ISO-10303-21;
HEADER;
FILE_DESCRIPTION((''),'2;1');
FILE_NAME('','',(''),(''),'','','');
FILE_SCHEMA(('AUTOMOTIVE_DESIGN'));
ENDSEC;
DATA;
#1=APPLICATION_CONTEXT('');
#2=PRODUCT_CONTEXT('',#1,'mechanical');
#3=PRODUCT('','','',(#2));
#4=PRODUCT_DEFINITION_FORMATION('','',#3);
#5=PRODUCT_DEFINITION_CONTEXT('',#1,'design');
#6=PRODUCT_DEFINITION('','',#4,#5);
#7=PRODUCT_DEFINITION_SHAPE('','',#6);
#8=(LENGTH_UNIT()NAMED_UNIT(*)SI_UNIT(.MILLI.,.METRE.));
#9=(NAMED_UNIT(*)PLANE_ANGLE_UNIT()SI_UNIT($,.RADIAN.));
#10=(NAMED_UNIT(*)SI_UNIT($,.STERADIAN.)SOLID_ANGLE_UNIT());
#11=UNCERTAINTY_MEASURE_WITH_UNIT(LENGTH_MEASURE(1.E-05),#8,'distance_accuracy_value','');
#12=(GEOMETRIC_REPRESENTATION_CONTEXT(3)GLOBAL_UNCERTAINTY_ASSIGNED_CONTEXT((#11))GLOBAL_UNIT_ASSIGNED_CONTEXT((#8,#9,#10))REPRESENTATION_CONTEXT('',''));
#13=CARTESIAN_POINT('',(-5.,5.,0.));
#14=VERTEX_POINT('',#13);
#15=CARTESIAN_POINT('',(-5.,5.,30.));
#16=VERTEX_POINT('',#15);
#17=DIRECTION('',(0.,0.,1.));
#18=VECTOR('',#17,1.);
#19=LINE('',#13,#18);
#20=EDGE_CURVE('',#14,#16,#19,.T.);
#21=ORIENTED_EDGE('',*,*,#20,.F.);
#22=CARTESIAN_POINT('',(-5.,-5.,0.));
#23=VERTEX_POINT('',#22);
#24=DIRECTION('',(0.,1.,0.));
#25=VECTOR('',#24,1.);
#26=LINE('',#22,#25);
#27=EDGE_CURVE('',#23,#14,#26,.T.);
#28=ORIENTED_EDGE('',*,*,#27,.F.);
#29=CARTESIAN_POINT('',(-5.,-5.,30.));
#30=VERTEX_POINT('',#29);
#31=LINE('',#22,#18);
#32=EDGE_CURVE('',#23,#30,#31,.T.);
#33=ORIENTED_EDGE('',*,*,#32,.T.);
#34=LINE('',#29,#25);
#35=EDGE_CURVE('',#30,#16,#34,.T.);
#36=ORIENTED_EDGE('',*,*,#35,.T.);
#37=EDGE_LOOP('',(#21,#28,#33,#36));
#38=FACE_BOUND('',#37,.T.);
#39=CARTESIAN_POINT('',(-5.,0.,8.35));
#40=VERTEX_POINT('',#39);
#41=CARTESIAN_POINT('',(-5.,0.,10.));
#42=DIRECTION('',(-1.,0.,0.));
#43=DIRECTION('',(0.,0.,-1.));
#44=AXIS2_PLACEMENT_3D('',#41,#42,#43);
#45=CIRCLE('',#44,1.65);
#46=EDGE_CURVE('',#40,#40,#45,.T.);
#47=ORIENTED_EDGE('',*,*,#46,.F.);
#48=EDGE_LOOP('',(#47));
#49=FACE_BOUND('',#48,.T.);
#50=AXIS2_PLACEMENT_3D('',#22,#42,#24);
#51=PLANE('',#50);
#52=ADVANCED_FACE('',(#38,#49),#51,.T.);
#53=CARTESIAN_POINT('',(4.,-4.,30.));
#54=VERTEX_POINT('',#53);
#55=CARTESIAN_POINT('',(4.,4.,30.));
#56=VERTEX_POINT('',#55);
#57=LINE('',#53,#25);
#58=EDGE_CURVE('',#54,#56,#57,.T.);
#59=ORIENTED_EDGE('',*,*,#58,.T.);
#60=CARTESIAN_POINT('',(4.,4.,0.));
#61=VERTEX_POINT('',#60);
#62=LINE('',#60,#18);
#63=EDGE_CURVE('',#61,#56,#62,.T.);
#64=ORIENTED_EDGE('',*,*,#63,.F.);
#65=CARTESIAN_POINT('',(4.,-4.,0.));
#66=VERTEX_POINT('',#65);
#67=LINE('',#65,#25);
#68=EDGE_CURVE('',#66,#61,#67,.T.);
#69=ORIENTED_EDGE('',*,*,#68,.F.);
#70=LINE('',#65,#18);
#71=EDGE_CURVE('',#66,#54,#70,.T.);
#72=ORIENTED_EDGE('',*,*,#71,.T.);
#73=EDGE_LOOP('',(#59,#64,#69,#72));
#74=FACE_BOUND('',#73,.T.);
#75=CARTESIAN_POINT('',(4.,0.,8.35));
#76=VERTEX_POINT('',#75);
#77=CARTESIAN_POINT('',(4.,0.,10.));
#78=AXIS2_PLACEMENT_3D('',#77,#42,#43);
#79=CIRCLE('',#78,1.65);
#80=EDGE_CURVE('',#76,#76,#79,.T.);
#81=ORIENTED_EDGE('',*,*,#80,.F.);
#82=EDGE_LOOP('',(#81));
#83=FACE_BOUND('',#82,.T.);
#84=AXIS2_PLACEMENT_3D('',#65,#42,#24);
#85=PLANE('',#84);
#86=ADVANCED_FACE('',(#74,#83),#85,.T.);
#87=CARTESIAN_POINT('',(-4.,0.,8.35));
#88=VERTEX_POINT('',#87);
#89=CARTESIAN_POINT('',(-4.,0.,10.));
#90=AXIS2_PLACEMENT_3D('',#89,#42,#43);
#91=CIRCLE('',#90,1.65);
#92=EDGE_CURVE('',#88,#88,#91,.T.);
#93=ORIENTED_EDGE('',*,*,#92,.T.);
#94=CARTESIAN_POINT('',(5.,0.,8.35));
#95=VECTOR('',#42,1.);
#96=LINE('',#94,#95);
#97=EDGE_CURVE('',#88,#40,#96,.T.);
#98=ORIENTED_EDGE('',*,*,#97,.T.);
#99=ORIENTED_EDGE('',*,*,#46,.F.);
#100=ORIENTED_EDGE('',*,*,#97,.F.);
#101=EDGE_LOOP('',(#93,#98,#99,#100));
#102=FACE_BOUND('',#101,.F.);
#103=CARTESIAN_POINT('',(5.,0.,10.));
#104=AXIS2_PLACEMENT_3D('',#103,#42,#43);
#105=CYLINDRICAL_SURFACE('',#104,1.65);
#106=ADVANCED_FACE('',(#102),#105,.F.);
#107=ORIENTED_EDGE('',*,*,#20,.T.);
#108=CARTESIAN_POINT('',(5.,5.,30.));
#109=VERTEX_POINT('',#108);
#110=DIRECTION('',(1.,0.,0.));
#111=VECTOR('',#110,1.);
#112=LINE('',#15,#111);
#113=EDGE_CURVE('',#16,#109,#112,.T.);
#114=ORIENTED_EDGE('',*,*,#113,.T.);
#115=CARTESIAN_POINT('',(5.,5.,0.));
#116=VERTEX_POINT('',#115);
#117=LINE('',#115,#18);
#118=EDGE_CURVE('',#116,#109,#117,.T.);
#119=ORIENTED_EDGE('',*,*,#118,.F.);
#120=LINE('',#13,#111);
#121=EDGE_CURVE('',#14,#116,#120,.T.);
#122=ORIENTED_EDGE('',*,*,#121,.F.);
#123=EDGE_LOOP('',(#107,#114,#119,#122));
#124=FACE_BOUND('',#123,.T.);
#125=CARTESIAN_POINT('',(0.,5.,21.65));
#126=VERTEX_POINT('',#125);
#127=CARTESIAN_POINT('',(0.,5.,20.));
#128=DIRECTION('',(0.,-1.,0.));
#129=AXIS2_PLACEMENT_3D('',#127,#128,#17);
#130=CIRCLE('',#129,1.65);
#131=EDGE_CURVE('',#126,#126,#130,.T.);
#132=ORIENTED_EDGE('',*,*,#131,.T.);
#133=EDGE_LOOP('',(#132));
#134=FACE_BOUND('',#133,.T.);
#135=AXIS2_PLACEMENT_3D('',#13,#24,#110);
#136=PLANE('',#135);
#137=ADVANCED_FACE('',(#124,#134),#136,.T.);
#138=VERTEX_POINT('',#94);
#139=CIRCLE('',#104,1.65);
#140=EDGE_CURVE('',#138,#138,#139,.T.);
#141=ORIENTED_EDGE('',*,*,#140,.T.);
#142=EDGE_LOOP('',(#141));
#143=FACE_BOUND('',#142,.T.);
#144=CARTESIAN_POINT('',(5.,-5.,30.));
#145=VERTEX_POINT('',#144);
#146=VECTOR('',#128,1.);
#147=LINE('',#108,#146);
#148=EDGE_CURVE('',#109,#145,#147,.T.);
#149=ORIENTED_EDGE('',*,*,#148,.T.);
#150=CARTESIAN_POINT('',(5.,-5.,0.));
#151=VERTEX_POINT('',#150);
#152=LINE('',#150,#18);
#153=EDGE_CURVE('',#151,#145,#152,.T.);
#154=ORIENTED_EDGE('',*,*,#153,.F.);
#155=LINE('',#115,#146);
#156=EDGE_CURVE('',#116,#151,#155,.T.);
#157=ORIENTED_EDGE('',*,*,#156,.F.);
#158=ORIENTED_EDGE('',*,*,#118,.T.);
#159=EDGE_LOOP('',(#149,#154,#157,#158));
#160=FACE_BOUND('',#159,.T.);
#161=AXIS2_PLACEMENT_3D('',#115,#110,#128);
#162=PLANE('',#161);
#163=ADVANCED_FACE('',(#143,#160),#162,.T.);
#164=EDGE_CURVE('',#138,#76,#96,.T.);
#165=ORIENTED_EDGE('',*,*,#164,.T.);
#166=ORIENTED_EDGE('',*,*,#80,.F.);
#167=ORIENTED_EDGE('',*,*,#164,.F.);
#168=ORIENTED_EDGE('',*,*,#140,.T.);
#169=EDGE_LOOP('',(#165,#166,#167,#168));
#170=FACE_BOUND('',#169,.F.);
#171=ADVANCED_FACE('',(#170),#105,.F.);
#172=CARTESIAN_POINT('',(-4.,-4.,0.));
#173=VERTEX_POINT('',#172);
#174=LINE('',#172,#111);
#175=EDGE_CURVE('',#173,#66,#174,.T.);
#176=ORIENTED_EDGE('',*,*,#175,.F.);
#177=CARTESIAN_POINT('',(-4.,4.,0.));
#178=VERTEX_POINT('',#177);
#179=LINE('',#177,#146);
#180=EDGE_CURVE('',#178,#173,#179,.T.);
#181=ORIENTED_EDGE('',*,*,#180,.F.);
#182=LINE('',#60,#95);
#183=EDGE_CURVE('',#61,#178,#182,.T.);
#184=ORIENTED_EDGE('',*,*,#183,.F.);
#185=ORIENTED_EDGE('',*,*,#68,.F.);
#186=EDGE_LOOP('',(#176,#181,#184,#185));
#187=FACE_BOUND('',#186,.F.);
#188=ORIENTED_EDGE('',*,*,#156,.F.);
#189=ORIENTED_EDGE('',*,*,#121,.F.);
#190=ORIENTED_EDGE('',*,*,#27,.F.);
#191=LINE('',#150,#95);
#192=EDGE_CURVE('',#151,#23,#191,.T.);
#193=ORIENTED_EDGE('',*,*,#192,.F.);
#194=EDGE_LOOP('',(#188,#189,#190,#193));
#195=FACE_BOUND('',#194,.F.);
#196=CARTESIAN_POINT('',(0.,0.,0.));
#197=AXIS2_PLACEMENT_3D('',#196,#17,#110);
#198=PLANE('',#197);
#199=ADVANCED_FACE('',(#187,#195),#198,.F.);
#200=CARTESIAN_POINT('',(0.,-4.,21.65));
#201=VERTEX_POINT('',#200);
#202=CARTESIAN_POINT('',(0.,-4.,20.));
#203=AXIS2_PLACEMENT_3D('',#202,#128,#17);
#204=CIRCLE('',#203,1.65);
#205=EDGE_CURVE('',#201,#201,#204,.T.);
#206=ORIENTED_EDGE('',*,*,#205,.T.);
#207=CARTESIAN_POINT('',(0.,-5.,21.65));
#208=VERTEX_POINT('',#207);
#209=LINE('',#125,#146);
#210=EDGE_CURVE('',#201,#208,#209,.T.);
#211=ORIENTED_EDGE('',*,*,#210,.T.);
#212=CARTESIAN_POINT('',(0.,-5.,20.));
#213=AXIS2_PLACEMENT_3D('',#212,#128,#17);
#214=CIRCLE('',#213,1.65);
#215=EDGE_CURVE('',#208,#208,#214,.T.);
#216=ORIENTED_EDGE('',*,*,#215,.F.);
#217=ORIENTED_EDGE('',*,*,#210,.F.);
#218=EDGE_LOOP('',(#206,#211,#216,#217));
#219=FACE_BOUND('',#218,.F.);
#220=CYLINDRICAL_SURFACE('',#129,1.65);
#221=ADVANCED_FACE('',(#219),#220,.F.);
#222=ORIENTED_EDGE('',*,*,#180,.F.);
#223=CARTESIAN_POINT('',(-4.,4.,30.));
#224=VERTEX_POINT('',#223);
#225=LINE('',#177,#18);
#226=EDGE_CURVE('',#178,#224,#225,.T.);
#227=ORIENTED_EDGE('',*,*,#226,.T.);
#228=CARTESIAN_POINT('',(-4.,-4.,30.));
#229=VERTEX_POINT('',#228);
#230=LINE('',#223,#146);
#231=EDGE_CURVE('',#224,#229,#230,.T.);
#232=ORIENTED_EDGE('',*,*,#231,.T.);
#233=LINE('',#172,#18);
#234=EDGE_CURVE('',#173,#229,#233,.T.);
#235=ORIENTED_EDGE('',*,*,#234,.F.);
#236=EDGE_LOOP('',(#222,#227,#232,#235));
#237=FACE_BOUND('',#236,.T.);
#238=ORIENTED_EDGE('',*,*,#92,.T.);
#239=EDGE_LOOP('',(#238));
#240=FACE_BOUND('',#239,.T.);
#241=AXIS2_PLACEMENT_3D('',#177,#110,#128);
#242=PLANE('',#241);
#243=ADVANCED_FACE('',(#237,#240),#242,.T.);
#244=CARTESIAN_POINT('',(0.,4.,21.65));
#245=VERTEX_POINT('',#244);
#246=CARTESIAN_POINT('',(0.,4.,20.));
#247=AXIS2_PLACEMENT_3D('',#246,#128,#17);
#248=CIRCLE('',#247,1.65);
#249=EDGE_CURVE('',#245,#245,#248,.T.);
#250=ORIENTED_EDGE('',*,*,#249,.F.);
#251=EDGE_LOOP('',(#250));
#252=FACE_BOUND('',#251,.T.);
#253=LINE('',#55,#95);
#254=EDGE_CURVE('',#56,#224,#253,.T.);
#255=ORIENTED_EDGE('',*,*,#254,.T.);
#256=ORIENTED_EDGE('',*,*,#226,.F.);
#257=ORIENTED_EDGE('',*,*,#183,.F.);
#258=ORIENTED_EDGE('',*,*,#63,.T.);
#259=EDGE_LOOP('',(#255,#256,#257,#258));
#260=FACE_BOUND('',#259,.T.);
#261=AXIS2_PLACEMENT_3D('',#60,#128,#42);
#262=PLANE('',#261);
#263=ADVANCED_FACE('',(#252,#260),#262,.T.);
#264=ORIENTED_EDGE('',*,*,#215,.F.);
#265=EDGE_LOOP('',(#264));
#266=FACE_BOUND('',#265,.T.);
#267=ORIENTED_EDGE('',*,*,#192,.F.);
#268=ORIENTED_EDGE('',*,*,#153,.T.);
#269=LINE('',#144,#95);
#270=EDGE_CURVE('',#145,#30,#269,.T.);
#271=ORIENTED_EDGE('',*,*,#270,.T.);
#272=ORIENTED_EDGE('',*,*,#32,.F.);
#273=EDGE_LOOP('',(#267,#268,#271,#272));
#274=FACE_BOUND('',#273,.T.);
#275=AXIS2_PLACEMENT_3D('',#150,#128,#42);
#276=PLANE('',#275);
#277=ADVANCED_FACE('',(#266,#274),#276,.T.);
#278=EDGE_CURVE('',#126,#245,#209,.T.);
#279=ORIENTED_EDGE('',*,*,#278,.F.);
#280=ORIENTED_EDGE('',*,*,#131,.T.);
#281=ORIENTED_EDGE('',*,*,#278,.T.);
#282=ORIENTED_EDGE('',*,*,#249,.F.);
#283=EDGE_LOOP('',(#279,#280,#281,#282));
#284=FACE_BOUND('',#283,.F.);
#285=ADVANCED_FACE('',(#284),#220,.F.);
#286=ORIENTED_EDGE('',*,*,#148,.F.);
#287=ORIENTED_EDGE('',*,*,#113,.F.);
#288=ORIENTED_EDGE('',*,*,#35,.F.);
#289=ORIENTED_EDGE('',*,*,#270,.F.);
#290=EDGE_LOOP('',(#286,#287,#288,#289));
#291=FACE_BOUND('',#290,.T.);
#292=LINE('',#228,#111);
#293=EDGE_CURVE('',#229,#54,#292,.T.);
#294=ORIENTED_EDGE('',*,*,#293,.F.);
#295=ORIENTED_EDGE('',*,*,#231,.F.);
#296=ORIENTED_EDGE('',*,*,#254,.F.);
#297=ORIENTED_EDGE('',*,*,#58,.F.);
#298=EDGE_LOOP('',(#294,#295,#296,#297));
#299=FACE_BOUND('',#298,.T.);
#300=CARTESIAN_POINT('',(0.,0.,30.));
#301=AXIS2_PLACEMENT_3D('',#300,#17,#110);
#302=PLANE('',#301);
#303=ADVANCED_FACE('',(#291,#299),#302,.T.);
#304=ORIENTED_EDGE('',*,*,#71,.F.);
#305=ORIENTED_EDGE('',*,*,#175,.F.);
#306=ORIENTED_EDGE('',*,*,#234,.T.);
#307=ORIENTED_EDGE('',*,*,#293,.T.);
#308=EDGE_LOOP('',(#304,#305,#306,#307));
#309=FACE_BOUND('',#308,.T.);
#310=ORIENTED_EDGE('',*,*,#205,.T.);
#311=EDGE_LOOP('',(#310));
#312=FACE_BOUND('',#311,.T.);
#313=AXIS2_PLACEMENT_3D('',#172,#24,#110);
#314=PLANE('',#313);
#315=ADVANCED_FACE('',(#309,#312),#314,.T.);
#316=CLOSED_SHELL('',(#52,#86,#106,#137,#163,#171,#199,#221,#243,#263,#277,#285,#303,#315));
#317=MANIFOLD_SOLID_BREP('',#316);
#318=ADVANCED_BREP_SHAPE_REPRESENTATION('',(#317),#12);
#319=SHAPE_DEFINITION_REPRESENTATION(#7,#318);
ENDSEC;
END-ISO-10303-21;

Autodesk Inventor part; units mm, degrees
ref_plane "YZ Plane" through (0, 0, 0) normal (1, 0, 0) x (0, 1, 0)
ref_plane "XZ Plane" through (0, 0, 0) normal (0, 1, 0) x (-1, 0, 0)
ref_plane "XY Plane" through (0, 0, 0) normal (0, 0, 1) x (1, 0, 0)
sketch "スケッチ1" plane through (0, 0, 0) normal (0, 0, 1) x (1, 0, 0)
  line L0 (5, -5) -> (-5, -5)
  line L1 (-5, -5) -> (-5, 5)
  line L2 (-5, 5) -> (5, 5)
  line L3 (5, 5) -> (5, -5)
  line L4 (5, -5) -> (-5, 5) construction
  line L5 (-5, -5) -> (5, 5) construction
  line L6 (4, 4) -> (-4, 4)
  line L7 (-4, 4) -> (-4, -4)
  line L8 (-4, -4) -> (4, -4)
  line L9 (4, -4) -> (4, 4)
  point P0 (0, 0)
  dimension "d0" = 10
  dimension "d1" = 10
  dimension "d2" = 1
extrude "押し出し1" add sketch "スケッチ1" along normal blind 30
sketch "スケッチ2" plane through (5, -5, 0) normal (1, 0, 0) x (0, 0, -1)
  line L0 (-30, 10) -> (-30, 0) projected
  line L1 (-30, 5) -> (0, 5)
  line L2 (0, 0) -> (0, 10) projected
  point P0 (-10, 5)
  dimension "d5" = 10
hole "穴1" at (5, 0, 10) direction (-1, 0, 0) diameter 3.3 end through all
sketch "スケッチ3" plane through (-5, 5, 0) normal (0, 1, 0) x (1, 0, 0)
  line L0 (5, 0) -> (5, -30)
  line L1 (1, -30) -> (9, -30) projected
  line L2 (10, 0) -> (0, 0) projected
  point P0 (5, -20)
  dimension "d13" = 20
hole "穴2" at (0, 5, 20) direction (0, -1, 0) diameter 3.3 end through all
properties part number "small_kaku_1010_santen"
